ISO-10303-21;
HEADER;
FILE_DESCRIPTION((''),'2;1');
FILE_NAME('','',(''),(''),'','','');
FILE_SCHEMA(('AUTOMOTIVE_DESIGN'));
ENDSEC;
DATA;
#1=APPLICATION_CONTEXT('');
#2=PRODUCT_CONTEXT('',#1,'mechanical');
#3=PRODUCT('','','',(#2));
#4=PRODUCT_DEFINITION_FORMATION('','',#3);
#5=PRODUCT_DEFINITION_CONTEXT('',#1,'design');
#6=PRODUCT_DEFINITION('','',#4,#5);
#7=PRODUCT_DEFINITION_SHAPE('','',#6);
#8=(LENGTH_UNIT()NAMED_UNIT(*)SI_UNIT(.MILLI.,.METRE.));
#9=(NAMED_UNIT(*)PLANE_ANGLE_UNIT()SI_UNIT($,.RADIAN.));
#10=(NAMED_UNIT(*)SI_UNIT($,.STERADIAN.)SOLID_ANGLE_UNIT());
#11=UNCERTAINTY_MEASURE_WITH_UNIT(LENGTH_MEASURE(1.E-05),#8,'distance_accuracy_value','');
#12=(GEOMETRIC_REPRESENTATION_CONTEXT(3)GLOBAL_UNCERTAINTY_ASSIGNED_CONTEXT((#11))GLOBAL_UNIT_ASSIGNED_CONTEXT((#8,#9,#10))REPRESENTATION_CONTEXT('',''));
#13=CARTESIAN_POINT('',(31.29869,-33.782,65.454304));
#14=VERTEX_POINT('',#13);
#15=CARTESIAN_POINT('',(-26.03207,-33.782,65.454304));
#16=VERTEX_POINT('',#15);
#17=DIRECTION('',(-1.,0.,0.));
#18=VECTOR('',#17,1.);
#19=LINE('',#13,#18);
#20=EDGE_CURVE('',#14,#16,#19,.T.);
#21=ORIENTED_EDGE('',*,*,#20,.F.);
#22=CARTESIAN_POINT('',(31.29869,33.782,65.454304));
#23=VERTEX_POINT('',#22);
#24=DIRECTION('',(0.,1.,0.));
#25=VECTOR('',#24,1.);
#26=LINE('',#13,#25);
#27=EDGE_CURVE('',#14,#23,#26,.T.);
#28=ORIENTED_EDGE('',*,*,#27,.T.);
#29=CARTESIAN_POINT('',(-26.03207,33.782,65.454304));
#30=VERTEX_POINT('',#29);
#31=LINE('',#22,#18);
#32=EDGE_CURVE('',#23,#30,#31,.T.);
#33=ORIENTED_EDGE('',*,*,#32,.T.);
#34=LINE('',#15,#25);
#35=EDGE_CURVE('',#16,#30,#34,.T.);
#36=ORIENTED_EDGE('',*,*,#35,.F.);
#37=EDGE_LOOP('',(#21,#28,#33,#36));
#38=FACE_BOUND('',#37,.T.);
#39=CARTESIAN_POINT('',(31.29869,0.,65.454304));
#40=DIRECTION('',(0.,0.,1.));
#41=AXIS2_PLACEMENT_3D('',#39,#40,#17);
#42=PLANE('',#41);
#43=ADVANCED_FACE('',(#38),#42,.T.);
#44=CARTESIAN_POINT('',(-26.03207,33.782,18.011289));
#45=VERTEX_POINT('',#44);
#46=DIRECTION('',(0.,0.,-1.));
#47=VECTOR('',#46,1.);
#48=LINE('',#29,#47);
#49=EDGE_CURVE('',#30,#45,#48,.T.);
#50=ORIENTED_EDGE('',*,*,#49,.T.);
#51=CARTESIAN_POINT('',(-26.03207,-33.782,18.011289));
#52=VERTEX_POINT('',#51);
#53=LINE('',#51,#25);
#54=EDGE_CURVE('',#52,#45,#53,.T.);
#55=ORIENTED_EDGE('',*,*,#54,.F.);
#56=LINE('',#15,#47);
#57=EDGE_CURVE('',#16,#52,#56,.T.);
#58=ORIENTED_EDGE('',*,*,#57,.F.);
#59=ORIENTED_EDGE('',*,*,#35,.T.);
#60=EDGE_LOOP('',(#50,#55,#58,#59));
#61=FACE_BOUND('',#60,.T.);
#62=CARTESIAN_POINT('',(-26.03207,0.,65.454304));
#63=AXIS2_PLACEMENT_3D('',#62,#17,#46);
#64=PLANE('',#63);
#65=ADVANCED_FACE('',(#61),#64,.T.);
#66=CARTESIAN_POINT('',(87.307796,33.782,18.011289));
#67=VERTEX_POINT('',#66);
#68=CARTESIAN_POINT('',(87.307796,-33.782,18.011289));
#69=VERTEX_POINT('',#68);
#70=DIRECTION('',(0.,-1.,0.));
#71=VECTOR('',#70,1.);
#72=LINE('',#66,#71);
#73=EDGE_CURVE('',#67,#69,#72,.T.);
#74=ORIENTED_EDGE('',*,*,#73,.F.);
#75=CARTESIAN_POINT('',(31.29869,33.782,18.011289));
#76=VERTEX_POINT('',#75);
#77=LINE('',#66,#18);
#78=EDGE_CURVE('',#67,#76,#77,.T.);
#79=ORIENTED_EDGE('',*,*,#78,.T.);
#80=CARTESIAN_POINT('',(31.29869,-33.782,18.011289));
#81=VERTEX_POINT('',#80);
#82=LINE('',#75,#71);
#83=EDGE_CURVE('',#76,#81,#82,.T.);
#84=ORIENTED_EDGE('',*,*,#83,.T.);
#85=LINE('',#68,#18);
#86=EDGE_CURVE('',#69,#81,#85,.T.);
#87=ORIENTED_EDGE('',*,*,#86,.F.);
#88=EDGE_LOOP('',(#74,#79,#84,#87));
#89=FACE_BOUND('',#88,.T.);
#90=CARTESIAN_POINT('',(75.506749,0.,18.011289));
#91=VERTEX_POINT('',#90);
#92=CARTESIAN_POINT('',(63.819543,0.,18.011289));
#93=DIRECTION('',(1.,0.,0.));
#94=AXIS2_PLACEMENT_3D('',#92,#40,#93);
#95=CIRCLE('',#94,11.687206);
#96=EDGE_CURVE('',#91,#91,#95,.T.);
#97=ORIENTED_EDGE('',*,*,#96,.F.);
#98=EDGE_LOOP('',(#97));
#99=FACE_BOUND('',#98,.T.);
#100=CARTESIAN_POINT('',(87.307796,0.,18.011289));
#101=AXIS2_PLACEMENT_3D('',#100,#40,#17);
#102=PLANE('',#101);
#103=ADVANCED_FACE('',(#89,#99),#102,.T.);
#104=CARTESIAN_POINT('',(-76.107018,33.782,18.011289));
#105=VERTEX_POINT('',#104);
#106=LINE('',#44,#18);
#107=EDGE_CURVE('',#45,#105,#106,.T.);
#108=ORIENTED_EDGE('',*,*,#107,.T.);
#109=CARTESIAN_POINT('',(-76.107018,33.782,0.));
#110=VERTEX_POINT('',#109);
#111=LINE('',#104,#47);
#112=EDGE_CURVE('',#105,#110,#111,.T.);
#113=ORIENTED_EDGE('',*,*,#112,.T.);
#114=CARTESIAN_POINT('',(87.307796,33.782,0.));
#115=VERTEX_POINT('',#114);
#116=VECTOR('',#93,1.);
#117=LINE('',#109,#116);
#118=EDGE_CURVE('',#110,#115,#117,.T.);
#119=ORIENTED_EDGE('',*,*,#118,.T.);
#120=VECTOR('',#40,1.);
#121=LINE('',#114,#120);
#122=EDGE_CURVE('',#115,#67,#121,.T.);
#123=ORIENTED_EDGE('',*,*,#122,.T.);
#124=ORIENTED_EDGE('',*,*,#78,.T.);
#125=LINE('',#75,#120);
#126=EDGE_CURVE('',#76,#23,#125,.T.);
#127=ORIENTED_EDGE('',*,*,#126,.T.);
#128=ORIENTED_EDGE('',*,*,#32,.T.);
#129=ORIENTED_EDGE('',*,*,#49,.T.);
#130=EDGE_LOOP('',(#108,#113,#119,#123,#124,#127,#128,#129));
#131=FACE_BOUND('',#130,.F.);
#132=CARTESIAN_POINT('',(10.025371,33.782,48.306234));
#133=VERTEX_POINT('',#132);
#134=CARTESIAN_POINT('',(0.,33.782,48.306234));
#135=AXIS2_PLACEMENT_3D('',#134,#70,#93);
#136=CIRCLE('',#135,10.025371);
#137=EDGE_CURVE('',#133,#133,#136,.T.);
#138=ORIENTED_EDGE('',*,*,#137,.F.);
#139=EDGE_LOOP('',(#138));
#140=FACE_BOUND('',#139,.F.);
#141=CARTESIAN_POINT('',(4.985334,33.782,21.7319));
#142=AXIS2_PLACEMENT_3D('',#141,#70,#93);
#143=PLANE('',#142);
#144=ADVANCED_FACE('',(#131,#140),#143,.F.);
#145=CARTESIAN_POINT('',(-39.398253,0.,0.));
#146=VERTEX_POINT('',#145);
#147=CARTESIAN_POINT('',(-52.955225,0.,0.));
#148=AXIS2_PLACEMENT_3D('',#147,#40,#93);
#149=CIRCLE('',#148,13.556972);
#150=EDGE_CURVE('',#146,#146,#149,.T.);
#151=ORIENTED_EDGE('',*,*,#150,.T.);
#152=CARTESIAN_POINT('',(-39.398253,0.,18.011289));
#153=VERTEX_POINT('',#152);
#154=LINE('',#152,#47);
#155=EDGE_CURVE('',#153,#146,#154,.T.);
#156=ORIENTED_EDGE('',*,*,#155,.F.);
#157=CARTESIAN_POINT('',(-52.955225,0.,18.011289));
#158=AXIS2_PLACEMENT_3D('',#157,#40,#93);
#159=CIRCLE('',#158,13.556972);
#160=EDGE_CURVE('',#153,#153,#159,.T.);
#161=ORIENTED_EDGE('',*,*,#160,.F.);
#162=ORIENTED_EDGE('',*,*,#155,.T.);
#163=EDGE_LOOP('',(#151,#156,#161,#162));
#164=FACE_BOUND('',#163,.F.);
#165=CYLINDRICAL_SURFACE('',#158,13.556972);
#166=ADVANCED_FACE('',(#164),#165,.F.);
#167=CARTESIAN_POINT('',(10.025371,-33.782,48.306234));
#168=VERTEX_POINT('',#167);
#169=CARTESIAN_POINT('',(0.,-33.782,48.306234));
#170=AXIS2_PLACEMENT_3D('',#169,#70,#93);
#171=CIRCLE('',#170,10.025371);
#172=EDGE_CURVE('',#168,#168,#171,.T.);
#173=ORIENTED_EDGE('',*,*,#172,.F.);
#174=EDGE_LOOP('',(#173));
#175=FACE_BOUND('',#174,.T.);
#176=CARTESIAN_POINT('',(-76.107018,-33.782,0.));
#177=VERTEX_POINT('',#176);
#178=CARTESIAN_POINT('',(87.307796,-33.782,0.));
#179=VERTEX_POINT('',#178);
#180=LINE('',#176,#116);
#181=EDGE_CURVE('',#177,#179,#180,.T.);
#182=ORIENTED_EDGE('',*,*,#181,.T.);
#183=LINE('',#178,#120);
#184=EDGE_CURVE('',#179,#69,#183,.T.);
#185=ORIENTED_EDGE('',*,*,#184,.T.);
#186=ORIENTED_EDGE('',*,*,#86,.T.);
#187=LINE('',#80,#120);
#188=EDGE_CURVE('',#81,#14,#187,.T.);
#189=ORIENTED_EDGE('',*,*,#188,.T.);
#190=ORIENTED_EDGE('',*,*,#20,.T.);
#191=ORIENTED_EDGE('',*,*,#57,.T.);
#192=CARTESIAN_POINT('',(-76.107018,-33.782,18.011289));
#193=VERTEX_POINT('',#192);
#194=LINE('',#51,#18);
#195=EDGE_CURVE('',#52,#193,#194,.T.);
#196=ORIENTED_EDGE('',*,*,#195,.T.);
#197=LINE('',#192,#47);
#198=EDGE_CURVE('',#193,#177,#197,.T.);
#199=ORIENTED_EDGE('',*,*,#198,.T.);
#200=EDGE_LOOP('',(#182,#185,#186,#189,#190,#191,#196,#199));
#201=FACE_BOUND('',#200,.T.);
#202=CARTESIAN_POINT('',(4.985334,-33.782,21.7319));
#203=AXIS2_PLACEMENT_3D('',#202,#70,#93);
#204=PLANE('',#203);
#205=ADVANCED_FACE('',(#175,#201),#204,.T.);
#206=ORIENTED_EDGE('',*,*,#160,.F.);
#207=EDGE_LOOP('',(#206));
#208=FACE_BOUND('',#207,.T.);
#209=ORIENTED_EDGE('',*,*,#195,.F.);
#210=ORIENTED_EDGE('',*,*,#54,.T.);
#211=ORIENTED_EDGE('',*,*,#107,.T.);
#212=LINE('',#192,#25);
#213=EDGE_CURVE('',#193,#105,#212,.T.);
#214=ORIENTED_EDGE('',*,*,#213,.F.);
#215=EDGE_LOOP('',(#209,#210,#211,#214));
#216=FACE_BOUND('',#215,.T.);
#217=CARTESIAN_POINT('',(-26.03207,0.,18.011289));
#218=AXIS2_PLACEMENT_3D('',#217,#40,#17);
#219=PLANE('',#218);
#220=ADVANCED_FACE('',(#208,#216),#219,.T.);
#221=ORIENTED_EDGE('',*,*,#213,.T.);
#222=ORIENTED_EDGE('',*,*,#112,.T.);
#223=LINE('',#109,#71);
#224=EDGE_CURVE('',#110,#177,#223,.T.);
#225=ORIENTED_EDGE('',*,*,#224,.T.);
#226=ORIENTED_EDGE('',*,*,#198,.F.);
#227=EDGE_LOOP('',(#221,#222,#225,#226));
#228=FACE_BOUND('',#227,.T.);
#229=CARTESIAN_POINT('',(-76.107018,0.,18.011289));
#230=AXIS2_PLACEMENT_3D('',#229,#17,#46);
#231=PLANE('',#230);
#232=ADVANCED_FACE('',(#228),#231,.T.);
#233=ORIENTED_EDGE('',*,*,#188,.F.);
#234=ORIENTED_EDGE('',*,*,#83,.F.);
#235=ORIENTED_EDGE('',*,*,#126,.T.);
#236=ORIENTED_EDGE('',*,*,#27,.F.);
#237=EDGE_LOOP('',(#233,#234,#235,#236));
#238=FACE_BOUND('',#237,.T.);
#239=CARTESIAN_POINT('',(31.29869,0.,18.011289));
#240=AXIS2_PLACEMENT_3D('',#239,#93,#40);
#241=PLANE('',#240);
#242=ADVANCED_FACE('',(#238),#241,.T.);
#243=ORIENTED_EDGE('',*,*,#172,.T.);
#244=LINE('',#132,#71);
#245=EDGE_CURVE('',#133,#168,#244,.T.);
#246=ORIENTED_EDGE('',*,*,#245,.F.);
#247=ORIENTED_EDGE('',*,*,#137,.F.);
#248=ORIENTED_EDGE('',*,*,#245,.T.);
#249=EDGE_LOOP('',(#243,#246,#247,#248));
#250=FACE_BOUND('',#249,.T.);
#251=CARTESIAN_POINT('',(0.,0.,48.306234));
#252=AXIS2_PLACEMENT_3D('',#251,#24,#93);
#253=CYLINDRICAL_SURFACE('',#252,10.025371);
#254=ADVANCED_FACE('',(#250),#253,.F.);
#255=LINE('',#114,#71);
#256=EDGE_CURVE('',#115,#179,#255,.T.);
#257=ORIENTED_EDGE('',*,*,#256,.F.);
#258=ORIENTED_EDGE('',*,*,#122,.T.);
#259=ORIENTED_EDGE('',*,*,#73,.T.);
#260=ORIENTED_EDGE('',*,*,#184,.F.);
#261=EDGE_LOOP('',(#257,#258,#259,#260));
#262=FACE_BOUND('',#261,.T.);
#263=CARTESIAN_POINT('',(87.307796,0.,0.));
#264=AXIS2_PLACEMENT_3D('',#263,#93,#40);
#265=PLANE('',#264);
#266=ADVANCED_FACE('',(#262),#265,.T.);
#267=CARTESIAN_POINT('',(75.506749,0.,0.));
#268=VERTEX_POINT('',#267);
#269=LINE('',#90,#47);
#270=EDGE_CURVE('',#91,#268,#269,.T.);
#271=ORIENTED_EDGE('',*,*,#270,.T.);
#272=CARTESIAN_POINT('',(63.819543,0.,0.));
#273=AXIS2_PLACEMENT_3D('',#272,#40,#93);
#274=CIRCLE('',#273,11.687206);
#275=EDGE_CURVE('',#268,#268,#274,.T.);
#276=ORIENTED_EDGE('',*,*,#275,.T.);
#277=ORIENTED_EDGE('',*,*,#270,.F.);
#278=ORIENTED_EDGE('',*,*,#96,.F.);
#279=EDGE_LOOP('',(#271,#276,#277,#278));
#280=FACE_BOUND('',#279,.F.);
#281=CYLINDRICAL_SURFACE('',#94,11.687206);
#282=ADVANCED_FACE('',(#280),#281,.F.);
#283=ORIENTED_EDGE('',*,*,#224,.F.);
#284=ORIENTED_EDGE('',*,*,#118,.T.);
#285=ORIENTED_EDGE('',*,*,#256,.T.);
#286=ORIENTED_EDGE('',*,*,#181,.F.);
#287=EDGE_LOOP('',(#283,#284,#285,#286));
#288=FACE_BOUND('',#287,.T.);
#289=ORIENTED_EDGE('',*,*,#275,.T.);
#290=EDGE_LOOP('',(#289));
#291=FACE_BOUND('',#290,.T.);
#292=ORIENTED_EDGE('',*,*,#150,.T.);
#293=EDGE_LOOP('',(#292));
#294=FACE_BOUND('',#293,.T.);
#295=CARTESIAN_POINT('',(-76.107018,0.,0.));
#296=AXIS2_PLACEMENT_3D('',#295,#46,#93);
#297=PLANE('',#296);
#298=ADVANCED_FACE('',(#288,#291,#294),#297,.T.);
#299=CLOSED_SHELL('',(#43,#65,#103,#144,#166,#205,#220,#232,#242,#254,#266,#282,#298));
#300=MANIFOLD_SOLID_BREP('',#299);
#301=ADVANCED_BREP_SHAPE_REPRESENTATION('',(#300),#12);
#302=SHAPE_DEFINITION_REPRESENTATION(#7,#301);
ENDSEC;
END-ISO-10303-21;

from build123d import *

# Parameters (mm, degrees)
F0_R     = 10.025371
F1_DEPTH = 33.782
F2_DEPTH = 25.4
F3_R     = 13.556972
F3_R_2   = 11.687206
F4_DEPTH = 25.4
F5_DEPTH = 25.4


with BuildPart() as f1:
    # F0 (on Front) → F1 (new body, symmetric)
    with BuildSketch(Plane.XZ):
        Polygon((-76.107018, 18.011289), (-76.107018, 0), (87.307796, 0), (87.307796, 18.011289), (31.29869, 18.011289), (31.29869, 65.454304), (-26.03207, 65.454304), (-26.03207, 18.011289), align=None)
        with Locations((0, 48.306234)):
            Circle(F0_R, mode=Mode.SUBTRACT)
    extrude(amount=F1_DEPTH, both=True)

    # F0 (on Front) → F2 (join)
    with BuildSketch(Plane.XZ):
        Polygon((-76.107018, 18.011289), (-76.107018, 0), (87.307796, 0), (87.307796, 18.011289), (31.29869, 18.011289), (31.29869, 65.454304), (-26.03207, 65.454304), (-26.03207, 18.011289), align=None)
        with Locations((0, 48.306234)):
            Circle(F0_R, mode=Mode.SUBTRACT)
    extrude(amount=F2_DEPTH)

    # F3 (on face) → F4 (cut)
    with BuildSketch(Plane.XY.offset(18.011289)):
        with Locations((-52.955225, 0)):
            Circle(F3_R)
        with Locations((63.819543, 0)):
            Circle(F3_R_2)
    extrude(amount=-F4_DEPTH, mode=Mode.SUBTRACT)

    # F3 (on face) → F5 (cut)
    with BuildSketch(Plane.XY.offset(18.011289)):
        with Locations((-52.955225, 0)):
            Circle(F3_R)
        with Locations((63.819543, 0)):
            Circle(F3_R_2)
    extrude(amount=-F5_DEPTH, mode=Mode.SUBTRACT)


solid = f1.part
